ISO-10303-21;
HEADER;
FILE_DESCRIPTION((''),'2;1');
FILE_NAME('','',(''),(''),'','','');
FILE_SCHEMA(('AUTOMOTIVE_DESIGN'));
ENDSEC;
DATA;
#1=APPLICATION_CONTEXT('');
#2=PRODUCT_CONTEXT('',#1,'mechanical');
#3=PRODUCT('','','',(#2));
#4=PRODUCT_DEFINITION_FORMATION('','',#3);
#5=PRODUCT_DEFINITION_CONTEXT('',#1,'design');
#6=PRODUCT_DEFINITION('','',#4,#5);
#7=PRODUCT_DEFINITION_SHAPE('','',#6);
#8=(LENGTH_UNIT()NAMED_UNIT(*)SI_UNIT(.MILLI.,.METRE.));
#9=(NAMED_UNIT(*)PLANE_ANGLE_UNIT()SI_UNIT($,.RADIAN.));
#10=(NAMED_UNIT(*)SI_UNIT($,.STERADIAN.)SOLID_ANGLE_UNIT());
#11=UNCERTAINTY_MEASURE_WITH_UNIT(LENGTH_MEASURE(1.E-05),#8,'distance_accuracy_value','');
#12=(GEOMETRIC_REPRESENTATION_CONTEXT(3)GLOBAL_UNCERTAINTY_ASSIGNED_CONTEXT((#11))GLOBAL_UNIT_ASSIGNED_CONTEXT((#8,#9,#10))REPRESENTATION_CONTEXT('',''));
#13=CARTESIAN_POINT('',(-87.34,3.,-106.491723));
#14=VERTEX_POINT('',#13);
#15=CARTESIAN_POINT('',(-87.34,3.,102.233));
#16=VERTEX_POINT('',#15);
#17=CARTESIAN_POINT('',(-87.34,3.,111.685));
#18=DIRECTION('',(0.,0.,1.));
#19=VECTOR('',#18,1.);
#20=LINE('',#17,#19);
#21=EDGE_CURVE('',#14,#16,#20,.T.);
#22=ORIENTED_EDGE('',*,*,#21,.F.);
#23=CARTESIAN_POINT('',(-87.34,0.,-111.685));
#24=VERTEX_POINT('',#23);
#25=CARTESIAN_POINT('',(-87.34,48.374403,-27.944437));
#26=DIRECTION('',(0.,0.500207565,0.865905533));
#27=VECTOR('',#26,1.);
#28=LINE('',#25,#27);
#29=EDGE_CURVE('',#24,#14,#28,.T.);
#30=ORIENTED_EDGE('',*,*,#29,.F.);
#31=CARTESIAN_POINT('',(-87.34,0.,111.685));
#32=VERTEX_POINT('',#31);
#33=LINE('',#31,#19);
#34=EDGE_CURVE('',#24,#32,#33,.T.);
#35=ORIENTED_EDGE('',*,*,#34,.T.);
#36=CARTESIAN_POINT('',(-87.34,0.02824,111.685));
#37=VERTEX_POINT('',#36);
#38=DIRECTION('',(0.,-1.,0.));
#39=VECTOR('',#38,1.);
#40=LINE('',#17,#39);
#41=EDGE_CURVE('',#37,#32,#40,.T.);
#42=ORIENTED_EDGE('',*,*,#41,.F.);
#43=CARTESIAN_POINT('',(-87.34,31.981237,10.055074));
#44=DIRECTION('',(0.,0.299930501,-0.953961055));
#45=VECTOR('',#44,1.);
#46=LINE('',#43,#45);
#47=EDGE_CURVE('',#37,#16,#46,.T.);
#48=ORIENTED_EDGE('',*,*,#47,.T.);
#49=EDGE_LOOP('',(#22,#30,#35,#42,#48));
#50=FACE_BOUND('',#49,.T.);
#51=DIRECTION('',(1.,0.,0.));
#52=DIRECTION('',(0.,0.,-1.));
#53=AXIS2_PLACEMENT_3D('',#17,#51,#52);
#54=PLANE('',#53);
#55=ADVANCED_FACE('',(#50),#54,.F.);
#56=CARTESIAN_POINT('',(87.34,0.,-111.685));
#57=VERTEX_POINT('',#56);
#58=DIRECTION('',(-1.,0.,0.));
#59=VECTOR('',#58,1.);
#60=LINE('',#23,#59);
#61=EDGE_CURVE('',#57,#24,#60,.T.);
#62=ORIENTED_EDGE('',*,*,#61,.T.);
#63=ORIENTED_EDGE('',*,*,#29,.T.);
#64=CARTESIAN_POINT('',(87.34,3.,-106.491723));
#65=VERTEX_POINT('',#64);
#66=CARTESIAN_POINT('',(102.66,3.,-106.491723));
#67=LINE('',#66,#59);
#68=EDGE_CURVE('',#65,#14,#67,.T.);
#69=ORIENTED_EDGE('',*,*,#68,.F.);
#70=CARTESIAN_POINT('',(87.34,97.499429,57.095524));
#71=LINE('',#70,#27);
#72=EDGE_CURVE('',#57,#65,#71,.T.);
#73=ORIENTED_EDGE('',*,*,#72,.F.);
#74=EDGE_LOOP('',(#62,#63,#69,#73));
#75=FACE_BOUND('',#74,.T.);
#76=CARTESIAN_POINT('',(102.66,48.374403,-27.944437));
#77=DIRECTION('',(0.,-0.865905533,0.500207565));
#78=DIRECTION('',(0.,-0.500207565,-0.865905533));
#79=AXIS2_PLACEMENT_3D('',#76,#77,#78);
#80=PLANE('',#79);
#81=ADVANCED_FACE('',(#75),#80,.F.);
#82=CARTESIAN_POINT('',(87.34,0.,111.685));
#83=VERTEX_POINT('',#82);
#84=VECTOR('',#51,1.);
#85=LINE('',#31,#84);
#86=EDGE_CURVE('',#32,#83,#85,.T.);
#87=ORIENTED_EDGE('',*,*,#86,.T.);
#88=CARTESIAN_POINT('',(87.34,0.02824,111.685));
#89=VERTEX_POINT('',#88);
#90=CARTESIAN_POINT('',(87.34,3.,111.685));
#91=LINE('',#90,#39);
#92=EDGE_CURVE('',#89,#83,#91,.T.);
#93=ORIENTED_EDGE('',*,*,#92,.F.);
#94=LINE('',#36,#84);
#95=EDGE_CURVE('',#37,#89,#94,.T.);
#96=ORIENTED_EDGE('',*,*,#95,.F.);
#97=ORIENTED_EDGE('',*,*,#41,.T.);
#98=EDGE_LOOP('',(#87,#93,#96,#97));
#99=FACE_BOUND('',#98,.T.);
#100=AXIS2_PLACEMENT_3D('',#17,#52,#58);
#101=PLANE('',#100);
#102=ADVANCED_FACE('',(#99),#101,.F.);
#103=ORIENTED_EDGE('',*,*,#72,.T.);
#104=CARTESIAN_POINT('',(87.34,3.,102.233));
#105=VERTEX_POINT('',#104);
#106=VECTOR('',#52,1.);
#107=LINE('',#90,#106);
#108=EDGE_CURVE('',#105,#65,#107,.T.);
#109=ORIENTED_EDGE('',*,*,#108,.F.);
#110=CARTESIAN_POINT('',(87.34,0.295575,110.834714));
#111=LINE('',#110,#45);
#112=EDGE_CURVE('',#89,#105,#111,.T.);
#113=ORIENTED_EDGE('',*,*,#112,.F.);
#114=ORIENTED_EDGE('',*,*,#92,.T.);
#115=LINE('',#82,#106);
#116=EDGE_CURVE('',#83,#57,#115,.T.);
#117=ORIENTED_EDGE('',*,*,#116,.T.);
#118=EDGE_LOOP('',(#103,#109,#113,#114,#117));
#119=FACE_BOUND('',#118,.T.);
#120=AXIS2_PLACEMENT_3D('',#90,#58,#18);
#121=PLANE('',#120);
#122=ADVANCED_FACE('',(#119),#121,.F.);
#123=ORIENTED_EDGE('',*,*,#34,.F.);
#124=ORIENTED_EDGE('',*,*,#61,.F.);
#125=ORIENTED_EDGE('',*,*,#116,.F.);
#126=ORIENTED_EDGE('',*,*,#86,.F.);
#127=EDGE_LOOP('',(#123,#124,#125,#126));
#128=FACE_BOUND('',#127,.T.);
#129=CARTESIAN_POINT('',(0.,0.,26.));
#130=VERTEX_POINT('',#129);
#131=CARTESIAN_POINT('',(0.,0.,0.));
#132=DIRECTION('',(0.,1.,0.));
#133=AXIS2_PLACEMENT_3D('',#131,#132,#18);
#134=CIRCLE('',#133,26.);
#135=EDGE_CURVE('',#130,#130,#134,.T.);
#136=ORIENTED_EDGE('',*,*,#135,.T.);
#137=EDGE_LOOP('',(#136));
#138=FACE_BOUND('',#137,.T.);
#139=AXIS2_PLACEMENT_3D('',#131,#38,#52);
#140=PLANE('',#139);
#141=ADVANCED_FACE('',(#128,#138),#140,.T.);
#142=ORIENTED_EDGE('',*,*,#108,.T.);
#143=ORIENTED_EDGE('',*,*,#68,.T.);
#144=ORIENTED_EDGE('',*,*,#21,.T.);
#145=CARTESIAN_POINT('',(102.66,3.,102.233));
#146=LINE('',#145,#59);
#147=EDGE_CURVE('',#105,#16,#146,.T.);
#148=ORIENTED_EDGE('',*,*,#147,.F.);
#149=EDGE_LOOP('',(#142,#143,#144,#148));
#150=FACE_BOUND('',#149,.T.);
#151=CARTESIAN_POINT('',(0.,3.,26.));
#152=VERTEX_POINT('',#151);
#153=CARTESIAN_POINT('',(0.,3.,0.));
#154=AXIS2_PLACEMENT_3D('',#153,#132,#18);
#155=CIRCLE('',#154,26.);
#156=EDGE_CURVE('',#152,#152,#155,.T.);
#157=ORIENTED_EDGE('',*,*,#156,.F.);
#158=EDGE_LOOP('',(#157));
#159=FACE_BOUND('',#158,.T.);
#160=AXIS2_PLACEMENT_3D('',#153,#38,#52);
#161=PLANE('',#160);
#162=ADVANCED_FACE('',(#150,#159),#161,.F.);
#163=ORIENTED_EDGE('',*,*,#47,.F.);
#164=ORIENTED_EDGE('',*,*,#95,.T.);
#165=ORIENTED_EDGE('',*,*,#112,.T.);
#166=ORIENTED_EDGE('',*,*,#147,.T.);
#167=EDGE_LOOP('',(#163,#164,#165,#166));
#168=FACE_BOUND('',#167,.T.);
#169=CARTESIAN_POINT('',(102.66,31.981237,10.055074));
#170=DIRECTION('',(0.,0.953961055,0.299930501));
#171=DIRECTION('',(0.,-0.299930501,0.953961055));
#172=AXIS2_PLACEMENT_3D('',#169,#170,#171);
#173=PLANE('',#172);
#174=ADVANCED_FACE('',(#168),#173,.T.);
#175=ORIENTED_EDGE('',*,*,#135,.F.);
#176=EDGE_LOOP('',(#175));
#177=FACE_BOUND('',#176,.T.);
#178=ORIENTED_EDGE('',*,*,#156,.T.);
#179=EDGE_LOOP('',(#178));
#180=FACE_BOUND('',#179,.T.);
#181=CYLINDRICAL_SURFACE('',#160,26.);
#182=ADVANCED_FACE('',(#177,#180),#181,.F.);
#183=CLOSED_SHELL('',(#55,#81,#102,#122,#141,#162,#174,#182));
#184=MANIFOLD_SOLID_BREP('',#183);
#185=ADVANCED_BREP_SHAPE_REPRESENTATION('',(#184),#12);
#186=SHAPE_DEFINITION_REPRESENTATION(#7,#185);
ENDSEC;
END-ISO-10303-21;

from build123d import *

# Parameters (mm, degrees)
ESQUISSE1_W             = 174.68
ESQUISSE1_H             = 223.37
ESQUISSE1_R             = 26
BOSS_EXTRU_1_DEPTH      = 3
ENL_V_MAT_EXTRU_1_DEPTH = 190


with BuildPart() as part:
    # Esquisse1 → Boss.-Extru.1 (new body)
    with BuildSketch(Plane(origin=(0, 0, 0), x_dir=(1, 0, 0), z_dir=(0, 1, 0))):
        Rectangle(ESQUISSE1_W, ESQUISSE1_H)
        Circle(ESQUISSE1_R, mode=Mode.SUBTRACT)
    extrude(amount=BOSS_EXTRU_1_DEPTH)

    # Esquisse2 → Enlèv. mat.-Extru.1 (cut)
    with BuildSketch(Plane.ZY.offset(87.34)):
        Polygon((-111.685, 0), (-106.491722689, 3), (-111.685, 3), align=None)
        Polygon((102.233000386, 3), (111.685, 0.028240342), (111.685, 3), align=None)
    extrude(amount=-ENL_V_MAT_EXTRU_1_DEPTH, mode=Mode.SUBTRACT)


solid = part.part
